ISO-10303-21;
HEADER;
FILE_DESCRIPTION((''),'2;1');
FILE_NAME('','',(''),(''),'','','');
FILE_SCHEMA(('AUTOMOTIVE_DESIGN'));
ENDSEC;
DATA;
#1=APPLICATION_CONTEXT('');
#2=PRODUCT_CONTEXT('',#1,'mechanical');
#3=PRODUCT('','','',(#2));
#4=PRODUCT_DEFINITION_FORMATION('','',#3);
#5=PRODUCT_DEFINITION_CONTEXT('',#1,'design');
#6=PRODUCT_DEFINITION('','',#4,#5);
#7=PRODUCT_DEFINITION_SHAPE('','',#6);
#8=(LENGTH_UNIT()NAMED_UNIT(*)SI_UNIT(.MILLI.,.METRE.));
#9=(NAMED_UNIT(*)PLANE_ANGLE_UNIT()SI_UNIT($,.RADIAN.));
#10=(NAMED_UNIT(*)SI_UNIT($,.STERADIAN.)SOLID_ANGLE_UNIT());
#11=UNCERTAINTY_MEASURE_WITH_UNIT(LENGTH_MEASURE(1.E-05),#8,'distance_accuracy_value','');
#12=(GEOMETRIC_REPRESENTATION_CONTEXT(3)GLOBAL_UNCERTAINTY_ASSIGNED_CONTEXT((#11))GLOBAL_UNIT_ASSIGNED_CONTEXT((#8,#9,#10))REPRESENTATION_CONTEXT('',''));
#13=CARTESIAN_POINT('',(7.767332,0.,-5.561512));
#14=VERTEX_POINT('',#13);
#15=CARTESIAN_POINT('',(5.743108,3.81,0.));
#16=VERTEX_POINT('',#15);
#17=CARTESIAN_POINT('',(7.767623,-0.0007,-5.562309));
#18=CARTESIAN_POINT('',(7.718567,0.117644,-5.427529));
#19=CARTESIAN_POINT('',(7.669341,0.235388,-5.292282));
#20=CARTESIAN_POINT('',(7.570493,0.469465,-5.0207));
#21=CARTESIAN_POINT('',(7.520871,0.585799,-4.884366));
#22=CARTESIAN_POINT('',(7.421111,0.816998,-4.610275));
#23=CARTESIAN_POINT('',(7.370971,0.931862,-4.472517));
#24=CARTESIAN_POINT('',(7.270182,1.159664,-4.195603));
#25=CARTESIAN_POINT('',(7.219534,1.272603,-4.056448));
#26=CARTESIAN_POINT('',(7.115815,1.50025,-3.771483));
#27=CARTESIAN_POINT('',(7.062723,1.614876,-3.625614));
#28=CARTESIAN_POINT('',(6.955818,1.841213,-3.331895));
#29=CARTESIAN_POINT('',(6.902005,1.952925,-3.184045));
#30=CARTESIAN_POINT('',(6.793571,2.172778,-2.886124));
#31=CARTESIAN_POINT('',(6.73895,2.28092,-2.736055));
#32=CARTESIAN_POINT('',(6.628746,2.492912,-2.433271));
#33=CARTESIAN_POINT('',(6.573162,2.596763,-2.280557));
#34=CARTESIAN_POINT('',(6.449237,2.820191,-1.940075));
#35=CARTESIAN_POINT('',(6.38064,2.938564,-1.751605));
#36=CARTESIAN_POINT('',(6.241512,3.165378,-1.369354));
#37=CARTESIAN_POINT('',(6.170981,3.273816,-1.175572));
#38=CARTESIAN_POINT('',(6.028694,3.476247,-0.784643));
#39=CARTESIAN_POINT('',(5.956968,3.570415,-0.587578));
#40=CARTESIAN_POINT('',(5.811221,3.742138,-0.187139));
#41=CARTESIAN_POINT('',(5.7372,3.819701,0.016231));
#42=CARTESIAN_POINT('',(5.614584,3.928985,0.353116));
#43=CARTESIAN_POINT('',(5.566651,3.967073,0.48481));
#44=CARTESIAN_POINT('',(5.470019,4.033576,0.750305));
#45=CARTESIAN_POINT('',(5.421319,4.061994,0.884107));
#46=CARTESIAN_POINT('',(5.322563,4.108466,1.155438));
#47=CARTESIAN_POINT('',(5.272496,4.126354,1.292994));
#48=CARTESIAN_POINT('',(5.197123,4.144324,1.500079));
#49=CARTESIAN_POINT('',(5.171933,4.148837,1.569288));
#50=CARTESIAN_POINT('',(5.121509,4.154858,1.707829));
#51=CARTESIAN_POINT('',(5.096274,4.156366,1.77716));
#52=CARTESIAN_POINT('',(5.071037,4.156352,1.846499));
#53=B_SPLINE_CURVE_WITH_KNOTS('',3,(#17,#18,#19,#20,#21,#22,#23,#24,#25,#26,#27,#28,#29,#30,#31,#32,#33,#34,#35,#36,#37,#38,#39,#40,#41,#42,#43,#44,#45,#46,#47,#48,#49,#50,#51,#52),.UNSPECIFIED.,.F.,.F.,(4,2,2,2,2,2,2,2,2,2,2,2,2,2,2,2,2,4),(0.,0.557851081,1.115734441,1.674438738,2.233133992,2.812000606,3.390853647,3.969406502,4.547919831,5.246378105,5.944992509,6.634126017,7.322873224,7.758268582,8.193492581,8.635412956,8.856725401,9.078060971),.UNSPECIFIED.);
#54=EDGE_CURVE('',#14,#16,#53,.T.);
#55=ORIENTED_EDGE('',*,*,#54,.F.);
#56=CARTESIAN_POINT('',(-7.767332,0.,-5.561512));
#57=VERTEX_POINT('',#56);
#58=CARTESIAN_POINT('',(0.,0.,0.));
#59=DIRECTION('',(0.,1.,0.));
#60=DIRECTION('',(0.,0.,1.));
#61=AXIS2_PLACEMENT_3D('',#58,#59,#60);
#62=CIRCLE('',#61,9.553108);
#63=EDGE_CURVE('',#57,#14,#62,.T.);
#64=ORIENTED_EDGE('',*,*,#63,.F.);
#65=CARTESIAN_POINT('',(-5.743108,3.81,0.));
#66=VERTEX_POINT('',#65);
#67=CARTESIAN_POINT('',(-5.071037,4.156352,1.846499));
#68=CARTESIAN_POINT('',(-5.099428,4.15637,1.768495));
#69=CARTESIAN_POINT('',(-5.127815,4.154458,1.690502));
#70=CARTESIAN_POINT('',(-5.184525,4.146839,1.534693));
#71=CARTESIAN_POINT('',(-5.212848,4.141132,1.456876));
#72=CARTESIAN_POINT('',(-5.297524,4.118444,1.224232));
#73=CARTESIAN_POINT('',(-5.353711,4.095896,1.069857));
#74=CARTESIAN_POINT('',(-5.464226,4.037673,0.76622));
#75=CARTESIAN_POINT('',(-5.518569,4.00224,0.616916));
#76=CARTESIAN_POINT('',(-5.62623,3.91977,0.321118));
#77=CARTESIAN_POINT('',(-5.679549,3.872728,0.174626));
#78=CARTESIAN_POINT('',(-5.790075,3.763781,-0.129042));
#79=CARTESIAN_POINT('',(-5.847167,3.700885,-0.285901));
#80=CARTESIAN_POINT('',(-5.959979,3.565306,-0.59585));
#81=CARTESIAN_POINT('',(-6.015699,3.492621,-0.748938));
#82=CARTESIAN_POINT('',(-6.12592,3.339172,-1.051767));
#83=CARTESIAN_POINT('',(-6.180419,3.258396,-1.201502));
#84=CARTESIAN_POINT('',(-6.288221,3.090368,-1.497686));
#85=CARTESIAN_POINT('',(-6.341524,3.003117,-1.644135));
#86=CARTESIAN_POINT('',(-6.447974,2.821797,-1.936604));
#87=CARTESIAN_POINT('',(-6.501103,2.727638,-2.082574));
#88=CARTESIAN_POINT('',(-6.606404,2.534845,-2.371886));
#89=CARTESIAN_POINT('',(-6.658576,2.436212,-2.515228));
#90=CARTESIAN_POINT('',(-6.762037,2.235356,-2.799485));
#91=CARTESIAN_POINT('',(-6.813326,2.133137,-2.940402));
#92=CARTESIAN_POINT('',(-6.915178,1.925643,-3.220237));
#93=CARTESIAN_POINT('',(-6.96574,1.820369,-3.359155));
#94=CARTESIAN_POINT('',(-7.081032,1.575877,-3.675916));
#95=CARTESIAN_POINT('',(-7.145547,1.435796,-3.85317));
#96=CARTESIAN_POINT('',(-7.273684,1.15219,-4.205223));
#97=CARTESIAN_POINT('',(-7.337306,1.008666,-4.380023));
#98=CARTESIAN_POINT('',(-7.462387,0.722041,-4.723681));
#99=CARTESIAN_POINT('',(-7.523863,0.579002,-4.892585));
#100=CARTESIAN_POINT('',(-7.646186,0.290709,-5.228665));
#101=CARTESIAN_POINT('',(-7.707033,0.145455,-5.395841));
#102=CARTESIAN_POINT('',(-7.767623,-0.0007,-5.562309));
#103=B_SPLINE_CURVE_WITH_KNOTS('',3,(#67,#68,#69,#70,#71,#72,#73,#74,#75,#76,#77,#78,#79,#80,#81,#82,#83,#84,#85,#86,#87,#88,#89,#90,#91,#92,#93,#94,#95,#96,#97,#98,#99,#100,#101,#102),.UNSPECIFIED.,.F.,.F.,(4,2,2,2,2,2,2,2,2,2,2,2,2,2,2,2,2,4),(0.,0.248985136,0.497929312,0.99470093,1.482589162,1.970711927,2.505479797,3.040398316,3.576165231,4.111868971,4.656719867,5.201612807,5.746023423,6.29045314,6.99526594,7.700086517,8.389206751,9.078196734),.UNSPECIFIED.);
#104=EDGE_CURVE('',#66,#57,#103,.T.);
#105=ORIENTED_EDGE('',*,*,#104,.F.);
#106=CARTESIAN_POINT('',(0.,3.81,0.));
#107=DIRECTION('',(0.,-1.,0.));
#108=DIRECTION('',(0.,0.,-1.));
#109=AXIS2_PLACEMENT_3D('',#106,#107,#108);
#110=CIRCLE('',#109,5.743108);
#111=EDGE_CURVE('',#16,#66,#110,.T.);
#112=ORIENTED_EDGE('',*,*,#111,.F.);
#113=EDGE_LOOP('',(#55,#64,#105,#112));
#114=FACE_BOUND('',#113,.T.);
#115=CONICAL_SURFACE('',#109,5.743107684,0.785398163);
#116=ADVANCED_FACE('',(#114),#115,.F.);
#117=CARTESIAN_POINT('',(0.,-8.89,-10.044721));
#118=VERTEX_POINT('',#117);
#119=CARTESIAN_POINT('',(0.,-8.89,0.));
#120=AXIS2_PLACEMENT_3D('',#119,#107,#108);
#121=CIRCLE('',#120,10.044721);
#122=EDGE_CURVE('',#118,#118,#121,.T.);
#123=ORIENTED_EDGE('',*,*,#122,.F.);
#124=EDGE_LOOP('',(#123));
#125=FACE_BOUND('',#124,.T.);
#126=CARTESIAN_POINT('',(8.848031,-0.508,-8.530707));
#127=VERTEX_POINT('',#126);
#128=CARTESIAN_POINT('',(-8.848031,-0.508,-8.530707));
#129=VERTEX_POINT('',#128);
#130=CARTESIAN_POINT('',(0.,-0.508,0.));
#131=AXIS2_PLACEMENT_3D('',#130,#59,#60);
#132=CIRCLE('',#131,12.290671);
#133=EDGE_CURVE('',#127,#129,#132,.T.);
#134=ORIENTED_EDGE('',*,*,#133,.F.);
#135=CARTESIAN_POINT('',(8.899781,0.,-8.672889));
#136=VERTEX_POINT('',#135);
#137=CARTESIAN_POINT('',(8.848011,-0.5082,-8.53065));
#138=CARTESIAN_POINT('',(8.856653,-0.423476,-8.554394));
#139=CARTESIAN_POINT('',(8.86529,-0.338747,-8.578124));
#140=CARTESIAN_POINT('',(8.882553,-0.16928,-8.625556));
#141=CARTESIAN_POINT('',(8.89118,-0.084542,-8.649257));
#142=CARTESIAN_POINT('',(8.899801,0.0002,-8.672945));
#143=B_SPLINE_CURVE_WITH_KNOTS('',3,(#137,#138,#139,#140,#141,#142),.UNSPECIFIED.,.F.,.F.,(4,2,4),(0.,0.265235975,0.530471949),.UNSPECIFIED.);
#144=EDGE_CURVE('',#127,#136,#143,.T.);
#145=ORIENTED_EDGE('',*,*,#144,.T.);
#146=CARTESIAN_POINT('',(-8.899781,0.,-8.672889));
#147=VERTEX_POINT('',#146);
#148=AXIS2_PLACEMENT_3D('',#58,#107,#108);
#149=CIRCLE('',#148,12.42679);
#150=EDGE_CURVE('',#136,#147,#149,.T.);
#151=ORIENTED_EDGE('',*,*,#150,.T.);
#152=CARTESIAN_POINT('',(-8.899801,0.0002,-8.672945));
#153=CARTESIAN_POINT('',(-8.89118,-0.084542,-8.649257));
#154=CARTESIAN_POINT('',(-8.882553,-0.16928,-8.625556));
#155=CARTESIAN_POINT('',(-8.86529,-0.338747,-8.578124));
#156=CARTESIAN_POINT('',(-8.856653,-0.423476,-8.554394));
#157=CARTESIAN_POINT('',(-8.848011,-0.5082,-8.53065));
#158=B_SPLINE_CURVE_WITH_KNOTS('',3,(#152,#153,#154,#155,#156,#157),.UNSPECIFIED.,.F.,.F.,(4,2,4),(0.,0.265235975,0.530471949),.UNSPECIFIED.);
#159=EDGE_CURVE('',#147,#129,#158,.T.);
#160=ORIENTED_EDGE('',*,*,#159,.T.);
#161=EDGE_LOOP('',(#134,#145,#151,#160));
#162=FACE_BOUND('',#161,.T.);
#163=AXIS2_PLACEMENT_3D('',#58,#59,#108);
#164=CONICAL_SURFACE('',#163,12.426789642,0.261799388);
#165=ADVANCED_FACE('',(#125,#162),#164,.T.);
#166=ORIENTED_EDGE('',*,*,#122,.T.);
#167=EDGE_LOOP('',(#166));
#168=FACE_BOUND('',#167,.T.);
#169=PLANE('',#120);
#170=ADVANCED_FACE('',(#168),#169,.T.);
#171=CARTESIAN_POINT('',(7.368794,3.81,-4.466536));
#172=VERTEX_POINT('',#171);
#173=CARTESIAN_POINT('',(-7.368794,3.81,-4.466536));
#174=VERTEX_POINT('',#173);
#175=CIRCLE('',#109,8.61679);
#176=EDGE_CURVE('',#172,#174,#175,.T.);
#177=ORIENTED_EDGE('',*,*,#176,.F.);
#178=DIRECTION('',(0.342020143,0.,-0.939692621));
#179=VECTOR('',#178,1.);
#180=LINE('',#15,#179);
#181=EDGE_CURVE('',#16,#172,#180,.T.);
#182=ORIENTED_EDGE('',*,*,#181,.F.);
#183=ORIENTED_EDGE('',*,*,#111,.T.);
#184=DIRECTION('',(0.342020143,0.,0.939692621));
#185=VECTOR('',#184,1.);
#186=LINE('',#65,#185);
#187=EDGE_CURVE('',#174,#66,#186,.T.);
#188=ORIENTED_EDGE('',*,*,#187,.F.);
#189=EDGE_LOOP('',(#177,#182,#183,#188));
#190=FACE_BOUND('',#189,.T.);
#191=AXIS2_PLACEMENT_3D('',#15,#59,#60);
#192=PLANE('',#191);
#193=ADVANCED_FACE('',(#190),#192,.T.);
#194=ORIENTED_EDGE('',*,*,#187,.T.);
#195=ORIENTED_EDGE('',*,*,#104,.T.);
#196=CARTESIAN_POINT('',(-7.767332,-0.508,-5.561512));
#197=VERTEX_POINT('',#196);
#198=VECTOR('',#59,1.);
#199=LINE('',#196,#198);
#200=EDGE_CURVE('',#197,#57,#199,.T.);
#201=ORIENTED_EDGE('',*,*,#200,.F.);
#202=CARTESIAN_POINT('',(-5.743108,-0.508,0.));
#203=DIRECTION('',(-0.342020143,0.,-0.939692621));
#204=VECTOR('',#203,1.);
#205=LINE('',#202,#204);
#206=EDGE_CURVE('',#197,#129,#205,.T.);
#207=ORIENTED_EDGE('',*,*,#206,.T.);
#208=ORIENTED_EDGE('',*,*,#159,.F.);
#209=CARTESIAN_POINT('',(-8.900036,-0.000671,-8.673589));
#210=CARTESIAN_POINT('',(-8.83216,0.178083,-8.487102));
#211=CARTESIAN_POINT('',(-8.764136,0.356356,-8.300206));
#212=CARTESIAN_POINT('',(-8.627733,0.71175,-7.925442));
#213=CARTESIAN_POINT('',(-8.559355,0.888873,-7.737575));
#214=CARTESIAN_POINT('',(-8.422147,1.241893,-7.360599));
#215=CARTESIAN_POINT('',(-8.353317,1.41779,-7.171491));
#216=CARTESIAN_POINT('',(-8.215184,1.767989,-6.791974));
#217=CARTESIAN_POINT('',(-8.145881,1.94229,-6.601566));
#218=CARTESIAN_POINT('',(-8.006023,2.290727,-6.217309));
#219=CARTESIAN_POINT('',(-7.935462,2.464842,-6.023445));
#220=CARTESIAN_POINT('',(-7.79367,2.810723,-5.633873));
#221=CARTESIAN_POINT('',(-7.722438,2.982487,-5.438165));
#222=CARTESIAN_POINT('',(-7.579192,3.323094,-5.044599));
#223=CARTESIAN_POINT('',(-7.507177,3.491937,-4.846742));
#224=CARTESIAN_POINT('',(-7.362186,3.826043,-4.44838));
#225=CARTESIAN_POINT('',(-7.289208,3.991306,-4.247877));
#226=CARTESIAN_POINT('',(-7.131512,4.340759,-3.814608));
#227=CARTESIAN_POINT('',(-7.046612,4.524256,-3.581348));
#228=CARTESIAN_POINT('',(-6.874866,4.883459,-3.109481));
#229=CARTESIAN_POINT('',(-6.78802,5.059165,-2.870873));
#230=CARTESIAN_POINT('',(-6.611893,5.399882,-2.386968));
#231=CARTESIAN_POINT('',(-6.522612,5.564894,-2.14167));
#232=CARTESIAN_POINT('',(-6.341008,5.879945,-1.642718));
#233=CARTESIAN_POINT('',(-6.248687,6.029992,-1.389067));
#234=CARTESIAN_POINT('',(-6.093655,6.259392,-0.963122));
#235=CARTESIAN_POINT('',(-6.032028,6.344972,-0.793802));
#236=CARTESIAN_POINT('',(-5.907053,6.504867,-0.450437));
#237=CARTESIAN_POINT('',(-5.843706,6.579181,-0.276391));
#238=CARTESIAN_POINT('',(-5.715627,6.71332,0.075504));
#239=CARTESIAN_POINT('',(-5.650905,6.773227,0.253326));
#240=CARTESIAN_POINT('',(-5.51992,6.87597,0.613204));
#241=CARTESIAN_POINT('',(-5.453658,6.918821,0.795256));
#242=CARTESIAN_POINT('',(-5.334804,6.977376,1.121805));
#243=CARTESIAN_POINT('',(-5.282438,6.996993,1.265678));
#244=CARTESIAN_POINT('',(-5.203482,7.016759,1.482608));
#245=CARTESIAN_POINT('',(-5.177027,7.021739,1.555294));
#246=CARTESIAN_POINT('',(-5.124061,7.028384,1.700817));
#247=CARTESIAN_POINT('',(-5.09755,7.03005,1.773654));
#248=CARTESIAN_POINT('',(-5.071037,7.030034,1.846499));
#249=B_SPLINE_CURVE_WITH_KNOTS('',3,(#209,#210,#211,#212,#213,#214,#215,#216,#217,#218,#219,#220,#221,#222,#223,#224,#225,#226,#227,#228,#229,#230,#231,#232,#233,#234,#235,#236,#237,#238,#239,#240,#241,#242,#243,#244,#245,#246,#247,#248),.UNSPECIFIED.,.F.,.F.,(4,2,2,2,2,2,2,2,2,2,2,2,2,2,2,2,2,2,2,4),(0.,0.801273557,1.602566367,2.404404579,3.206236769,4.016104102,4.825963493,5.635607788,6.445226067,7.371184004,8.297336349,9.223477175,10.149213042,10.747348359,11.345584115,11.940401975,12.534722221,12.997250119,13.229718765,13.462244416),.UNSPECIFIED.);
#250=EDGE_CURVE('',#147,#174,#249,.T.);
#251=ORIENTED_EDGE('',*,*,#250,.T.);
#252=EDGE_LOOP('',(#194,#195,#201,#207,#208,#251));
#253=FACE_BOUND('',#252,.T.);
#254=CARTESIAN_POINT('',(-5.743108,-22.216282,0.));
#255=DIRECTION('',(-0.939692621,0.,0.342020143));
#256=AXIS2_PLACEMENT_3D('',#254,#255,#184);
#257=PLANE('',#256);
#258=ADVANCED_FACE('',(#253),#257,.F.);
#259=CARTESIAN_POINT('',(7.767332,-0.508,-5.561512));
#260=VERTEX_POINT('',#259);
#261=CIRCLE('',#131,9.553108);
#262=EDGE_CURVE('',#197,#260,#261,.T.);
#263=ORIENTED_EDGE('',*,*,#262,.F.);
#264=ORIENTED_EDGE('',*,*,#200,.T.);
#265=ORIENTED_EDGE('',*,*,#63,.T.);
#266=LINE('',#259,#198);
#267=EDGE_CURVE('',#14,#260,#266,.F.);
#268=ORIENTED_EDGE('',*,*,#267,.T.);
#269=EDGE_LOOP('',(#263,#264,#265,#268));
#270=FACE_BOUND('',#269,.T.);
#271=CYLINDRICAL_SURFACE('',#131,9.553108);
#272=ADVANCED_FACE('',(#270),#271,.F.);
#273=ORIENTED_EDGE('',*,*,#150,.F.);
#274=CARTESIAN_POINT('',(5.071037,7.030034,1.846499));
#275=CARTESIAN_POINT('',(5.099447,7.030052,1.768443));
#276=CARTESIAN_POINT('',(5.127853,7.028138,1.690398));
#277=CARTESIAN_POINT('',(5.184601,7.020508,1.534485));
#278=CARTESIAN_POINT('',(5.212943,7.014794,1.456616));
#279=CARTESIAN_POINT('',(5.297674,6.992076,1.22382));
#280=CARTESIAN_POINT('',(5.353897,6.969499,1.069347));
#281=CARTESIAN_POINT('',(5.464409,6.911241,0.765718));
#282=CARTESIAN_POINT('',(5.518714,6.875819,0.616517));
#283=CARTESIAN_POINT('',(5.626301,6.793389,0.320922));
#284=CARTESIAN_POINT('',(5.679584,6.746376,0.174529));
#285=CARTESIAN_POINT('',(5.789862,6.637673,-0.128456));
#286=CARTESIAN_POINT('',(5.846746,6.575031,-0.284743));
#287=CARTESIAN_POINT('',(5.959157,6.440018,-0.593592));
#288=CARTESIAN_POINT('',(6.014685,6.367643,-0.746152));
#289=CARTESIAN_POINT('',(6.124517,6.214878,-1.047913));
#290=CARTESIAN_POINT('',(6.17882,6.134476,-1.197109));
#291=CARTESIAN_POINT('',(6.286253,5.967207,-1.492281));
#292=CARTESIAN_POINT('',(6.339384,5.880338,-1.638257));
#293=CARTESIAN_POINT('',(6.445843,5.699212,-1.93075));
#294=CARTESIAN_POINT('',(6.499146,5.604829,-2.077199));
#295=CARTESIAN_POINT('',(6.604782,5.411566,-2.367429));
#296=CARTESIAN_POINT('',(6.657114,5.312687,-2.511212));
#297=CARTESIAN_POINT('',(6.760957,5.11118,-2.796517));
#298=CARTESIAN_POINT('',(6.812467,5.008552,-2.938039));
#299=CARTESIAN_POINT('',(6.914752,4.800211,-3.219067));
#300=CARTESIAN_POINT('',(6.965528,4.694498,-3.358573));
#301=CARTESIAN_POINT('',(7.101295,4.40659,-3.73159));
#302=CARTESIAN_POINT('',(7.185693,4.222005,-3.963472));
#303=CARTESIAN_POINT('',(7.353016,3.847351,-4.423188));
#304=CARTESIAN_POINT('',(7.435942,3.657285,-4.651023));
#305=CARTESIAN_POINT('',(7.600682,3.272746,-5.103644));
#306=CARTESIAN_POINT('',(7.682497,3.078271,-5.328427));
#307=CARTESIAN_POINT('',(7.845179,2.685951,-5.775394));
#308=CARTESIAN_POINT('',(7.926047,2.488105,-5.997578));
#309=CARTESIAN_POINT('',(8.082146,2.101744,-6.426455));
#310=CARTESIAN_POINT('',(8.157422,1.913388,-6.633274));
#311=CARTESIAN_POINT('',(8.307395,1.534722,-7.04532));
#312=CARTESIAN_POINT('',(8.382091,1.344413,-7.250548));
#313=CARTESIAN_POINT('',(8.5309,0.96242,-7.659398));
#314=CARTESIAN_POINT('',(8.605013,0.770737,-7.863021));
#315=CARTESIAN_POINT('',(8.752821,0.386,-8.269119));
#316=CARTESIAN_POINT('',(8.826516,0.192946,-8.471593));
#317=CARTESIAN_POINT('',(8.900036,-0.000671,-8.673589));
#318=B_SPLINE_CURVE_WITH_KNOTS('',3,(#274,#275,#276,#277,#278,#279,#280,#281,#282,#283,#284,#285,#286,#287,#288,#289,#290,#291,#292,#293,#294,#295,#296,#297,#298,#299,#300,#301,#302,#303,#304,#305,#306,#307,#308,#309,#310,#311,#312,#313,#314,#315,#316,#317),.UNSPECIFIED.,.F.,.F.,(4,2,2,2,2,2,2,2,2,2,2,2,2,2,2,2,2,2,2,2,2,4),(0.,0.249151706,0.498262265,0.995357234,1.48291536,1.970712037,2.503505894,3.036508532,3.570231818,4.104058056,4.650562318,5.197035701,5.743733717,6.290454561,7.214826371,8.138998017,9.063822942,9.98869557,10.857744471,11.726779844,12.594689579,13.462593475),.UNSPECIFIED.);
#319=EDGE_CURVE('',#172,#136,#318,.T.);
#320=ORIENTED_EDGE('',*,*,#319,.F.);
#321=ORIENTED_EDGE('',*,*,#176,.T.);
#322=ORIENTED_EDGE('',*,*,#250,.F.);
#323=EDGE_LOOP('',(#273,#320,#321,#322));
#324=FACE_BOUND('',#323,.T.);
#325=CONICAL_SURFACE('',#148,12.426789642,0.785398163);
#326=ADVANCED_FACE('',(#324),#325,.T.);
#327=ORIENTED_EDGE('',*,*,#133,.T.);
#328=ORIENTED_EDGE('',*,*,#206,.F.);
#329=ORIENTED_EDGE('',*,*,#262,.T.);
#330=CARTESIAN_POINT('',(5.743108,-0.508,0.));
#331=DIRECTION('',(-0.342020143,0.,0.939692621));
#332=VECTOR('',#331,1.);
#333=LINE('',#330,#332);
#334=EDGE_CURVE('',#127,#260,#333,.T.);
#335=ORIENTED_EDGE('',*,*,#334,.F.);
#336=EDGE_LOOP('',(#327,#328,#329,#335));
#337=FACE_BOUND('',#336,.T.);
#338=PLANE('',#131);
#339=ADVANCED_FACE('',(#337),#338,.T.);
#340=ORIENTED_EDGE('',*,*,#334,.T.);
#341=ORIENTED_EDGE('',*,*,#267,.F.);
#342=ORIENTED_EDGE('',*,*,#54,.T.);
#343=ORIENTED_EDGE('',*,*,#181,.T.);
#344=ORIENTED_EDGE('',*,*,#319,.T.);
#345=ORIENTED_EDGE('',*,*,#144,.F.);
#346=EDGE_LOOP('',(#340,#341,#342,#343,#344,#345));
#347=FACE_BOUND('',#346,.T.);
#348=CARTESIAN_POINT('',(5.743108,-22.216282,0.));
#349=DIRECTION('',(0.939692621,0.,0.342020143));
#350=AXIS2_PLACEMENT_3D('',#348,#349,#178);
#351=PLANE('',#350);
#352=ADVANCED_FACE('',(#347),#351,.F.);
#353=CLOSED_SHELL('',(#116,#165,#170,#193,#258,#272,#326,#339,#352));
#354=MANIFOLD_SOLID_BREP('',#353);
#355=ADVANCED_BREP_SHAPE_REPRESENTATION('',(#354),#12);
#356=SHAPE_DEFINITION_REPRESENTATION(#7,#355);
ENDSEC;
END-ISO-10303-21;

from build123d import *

# Parameters (mm, degrees)
SKETCH8_R           = 12.426789642
BOSS_EXTRUDE3_DEPTH = 8.89
BOSS_EXTRUDE3_TAPER = 15
SKETCH9_R           = 9.553107684
CUT_EXTRUDE1_DEPTH  = 0.508
CUT_EXTRUDE4_REACH  = 23.683


with BuildPart() as part:
    # Sketch7 → Revolve1 (revolve)
    with BuildSketch(Plane.XY, mode=Mode.PRIVATE) as revolve1_sk:
        Polygon((9.553107684, 0), (5.743107684, 3.81), (8.616789642, 3.81), (12.426789642, 0), align=None)
    revolve(revolve1_sk.sketch.rotate(Axis((0, 0, 0), (0, 1, 0)), 90), axis=Axis((0, 0, 0), (0, 1, 0)))

    # Sketch8 → Boss-Extrude3 (add)
    with BuildSketch(Plane.XZ):
        Circle(SKETCH8_R)
    extrude(amount=BOSS_EXTRUDE3_DEPTH, taper=BOSS_EXTRUDE3_TAPER)

    # Sketch9 → Cut-Extrude1 (cut)
    with BuildSketch(Plane(origin=(0, 0, 0), x_dir=(1, 0, 0), z_dir=(0, 1, 0))):
        with Locations(Location((0, 0, 0), (0, 0, 270))):
            Circle(SKETCH9_R)
    extrude(amount=-CUT_EXTRUDE1_DEPTH, mode=Mode.SUBTRACT)

    # Cut-Extrude4: up to this face of the body (flat: up to its plane)
    cut_extrude4_end = Plane(part.part.faces().sort_by_distance((0, -0.508, 0))[0])
    # Sketch13 → Cut-Extrude4 (cut, up to the picked face)
    with BuildSketch(Plane(origin=(0, 3.81, 0), x_dir=(1, 0, 0), z_dir=(0, 1, 0)), mode=Mode.PRIVATE) as cut_extrude4_sk1:
        with BuildLine():
            Line((-5.743107684, 0), (-8.89978102, 8.672888712))
            ThreePointArc((-8.89978102, 8.672888712), (0, 12.426789642), (8.89978102, 8.672888712))
            Line((8.89978102, 8.672888712), (5.743107684, 0))
            ThreePointArc((5.743107684, 0), (0, 5.743107684), (-5.743107684, 0))
        make_face()
    cut_extrude4_tool1 = split(extrude(cut_extrude4_sk1.sketch, amount=-CUT_EXTRUDE4_REACH, mode=Mode.PRIVATE), bisect_by=cut_extrude4_end, keep=Keep.BOTH, mode=Mode.PRIVATE)
    add(cut_extrude4_tool1.solids().sort_by(Axis((0, 3.81, -7.700849), (0, -1, 0)))[0], mode=Mode.SUBTRACT)


solid = part.part
